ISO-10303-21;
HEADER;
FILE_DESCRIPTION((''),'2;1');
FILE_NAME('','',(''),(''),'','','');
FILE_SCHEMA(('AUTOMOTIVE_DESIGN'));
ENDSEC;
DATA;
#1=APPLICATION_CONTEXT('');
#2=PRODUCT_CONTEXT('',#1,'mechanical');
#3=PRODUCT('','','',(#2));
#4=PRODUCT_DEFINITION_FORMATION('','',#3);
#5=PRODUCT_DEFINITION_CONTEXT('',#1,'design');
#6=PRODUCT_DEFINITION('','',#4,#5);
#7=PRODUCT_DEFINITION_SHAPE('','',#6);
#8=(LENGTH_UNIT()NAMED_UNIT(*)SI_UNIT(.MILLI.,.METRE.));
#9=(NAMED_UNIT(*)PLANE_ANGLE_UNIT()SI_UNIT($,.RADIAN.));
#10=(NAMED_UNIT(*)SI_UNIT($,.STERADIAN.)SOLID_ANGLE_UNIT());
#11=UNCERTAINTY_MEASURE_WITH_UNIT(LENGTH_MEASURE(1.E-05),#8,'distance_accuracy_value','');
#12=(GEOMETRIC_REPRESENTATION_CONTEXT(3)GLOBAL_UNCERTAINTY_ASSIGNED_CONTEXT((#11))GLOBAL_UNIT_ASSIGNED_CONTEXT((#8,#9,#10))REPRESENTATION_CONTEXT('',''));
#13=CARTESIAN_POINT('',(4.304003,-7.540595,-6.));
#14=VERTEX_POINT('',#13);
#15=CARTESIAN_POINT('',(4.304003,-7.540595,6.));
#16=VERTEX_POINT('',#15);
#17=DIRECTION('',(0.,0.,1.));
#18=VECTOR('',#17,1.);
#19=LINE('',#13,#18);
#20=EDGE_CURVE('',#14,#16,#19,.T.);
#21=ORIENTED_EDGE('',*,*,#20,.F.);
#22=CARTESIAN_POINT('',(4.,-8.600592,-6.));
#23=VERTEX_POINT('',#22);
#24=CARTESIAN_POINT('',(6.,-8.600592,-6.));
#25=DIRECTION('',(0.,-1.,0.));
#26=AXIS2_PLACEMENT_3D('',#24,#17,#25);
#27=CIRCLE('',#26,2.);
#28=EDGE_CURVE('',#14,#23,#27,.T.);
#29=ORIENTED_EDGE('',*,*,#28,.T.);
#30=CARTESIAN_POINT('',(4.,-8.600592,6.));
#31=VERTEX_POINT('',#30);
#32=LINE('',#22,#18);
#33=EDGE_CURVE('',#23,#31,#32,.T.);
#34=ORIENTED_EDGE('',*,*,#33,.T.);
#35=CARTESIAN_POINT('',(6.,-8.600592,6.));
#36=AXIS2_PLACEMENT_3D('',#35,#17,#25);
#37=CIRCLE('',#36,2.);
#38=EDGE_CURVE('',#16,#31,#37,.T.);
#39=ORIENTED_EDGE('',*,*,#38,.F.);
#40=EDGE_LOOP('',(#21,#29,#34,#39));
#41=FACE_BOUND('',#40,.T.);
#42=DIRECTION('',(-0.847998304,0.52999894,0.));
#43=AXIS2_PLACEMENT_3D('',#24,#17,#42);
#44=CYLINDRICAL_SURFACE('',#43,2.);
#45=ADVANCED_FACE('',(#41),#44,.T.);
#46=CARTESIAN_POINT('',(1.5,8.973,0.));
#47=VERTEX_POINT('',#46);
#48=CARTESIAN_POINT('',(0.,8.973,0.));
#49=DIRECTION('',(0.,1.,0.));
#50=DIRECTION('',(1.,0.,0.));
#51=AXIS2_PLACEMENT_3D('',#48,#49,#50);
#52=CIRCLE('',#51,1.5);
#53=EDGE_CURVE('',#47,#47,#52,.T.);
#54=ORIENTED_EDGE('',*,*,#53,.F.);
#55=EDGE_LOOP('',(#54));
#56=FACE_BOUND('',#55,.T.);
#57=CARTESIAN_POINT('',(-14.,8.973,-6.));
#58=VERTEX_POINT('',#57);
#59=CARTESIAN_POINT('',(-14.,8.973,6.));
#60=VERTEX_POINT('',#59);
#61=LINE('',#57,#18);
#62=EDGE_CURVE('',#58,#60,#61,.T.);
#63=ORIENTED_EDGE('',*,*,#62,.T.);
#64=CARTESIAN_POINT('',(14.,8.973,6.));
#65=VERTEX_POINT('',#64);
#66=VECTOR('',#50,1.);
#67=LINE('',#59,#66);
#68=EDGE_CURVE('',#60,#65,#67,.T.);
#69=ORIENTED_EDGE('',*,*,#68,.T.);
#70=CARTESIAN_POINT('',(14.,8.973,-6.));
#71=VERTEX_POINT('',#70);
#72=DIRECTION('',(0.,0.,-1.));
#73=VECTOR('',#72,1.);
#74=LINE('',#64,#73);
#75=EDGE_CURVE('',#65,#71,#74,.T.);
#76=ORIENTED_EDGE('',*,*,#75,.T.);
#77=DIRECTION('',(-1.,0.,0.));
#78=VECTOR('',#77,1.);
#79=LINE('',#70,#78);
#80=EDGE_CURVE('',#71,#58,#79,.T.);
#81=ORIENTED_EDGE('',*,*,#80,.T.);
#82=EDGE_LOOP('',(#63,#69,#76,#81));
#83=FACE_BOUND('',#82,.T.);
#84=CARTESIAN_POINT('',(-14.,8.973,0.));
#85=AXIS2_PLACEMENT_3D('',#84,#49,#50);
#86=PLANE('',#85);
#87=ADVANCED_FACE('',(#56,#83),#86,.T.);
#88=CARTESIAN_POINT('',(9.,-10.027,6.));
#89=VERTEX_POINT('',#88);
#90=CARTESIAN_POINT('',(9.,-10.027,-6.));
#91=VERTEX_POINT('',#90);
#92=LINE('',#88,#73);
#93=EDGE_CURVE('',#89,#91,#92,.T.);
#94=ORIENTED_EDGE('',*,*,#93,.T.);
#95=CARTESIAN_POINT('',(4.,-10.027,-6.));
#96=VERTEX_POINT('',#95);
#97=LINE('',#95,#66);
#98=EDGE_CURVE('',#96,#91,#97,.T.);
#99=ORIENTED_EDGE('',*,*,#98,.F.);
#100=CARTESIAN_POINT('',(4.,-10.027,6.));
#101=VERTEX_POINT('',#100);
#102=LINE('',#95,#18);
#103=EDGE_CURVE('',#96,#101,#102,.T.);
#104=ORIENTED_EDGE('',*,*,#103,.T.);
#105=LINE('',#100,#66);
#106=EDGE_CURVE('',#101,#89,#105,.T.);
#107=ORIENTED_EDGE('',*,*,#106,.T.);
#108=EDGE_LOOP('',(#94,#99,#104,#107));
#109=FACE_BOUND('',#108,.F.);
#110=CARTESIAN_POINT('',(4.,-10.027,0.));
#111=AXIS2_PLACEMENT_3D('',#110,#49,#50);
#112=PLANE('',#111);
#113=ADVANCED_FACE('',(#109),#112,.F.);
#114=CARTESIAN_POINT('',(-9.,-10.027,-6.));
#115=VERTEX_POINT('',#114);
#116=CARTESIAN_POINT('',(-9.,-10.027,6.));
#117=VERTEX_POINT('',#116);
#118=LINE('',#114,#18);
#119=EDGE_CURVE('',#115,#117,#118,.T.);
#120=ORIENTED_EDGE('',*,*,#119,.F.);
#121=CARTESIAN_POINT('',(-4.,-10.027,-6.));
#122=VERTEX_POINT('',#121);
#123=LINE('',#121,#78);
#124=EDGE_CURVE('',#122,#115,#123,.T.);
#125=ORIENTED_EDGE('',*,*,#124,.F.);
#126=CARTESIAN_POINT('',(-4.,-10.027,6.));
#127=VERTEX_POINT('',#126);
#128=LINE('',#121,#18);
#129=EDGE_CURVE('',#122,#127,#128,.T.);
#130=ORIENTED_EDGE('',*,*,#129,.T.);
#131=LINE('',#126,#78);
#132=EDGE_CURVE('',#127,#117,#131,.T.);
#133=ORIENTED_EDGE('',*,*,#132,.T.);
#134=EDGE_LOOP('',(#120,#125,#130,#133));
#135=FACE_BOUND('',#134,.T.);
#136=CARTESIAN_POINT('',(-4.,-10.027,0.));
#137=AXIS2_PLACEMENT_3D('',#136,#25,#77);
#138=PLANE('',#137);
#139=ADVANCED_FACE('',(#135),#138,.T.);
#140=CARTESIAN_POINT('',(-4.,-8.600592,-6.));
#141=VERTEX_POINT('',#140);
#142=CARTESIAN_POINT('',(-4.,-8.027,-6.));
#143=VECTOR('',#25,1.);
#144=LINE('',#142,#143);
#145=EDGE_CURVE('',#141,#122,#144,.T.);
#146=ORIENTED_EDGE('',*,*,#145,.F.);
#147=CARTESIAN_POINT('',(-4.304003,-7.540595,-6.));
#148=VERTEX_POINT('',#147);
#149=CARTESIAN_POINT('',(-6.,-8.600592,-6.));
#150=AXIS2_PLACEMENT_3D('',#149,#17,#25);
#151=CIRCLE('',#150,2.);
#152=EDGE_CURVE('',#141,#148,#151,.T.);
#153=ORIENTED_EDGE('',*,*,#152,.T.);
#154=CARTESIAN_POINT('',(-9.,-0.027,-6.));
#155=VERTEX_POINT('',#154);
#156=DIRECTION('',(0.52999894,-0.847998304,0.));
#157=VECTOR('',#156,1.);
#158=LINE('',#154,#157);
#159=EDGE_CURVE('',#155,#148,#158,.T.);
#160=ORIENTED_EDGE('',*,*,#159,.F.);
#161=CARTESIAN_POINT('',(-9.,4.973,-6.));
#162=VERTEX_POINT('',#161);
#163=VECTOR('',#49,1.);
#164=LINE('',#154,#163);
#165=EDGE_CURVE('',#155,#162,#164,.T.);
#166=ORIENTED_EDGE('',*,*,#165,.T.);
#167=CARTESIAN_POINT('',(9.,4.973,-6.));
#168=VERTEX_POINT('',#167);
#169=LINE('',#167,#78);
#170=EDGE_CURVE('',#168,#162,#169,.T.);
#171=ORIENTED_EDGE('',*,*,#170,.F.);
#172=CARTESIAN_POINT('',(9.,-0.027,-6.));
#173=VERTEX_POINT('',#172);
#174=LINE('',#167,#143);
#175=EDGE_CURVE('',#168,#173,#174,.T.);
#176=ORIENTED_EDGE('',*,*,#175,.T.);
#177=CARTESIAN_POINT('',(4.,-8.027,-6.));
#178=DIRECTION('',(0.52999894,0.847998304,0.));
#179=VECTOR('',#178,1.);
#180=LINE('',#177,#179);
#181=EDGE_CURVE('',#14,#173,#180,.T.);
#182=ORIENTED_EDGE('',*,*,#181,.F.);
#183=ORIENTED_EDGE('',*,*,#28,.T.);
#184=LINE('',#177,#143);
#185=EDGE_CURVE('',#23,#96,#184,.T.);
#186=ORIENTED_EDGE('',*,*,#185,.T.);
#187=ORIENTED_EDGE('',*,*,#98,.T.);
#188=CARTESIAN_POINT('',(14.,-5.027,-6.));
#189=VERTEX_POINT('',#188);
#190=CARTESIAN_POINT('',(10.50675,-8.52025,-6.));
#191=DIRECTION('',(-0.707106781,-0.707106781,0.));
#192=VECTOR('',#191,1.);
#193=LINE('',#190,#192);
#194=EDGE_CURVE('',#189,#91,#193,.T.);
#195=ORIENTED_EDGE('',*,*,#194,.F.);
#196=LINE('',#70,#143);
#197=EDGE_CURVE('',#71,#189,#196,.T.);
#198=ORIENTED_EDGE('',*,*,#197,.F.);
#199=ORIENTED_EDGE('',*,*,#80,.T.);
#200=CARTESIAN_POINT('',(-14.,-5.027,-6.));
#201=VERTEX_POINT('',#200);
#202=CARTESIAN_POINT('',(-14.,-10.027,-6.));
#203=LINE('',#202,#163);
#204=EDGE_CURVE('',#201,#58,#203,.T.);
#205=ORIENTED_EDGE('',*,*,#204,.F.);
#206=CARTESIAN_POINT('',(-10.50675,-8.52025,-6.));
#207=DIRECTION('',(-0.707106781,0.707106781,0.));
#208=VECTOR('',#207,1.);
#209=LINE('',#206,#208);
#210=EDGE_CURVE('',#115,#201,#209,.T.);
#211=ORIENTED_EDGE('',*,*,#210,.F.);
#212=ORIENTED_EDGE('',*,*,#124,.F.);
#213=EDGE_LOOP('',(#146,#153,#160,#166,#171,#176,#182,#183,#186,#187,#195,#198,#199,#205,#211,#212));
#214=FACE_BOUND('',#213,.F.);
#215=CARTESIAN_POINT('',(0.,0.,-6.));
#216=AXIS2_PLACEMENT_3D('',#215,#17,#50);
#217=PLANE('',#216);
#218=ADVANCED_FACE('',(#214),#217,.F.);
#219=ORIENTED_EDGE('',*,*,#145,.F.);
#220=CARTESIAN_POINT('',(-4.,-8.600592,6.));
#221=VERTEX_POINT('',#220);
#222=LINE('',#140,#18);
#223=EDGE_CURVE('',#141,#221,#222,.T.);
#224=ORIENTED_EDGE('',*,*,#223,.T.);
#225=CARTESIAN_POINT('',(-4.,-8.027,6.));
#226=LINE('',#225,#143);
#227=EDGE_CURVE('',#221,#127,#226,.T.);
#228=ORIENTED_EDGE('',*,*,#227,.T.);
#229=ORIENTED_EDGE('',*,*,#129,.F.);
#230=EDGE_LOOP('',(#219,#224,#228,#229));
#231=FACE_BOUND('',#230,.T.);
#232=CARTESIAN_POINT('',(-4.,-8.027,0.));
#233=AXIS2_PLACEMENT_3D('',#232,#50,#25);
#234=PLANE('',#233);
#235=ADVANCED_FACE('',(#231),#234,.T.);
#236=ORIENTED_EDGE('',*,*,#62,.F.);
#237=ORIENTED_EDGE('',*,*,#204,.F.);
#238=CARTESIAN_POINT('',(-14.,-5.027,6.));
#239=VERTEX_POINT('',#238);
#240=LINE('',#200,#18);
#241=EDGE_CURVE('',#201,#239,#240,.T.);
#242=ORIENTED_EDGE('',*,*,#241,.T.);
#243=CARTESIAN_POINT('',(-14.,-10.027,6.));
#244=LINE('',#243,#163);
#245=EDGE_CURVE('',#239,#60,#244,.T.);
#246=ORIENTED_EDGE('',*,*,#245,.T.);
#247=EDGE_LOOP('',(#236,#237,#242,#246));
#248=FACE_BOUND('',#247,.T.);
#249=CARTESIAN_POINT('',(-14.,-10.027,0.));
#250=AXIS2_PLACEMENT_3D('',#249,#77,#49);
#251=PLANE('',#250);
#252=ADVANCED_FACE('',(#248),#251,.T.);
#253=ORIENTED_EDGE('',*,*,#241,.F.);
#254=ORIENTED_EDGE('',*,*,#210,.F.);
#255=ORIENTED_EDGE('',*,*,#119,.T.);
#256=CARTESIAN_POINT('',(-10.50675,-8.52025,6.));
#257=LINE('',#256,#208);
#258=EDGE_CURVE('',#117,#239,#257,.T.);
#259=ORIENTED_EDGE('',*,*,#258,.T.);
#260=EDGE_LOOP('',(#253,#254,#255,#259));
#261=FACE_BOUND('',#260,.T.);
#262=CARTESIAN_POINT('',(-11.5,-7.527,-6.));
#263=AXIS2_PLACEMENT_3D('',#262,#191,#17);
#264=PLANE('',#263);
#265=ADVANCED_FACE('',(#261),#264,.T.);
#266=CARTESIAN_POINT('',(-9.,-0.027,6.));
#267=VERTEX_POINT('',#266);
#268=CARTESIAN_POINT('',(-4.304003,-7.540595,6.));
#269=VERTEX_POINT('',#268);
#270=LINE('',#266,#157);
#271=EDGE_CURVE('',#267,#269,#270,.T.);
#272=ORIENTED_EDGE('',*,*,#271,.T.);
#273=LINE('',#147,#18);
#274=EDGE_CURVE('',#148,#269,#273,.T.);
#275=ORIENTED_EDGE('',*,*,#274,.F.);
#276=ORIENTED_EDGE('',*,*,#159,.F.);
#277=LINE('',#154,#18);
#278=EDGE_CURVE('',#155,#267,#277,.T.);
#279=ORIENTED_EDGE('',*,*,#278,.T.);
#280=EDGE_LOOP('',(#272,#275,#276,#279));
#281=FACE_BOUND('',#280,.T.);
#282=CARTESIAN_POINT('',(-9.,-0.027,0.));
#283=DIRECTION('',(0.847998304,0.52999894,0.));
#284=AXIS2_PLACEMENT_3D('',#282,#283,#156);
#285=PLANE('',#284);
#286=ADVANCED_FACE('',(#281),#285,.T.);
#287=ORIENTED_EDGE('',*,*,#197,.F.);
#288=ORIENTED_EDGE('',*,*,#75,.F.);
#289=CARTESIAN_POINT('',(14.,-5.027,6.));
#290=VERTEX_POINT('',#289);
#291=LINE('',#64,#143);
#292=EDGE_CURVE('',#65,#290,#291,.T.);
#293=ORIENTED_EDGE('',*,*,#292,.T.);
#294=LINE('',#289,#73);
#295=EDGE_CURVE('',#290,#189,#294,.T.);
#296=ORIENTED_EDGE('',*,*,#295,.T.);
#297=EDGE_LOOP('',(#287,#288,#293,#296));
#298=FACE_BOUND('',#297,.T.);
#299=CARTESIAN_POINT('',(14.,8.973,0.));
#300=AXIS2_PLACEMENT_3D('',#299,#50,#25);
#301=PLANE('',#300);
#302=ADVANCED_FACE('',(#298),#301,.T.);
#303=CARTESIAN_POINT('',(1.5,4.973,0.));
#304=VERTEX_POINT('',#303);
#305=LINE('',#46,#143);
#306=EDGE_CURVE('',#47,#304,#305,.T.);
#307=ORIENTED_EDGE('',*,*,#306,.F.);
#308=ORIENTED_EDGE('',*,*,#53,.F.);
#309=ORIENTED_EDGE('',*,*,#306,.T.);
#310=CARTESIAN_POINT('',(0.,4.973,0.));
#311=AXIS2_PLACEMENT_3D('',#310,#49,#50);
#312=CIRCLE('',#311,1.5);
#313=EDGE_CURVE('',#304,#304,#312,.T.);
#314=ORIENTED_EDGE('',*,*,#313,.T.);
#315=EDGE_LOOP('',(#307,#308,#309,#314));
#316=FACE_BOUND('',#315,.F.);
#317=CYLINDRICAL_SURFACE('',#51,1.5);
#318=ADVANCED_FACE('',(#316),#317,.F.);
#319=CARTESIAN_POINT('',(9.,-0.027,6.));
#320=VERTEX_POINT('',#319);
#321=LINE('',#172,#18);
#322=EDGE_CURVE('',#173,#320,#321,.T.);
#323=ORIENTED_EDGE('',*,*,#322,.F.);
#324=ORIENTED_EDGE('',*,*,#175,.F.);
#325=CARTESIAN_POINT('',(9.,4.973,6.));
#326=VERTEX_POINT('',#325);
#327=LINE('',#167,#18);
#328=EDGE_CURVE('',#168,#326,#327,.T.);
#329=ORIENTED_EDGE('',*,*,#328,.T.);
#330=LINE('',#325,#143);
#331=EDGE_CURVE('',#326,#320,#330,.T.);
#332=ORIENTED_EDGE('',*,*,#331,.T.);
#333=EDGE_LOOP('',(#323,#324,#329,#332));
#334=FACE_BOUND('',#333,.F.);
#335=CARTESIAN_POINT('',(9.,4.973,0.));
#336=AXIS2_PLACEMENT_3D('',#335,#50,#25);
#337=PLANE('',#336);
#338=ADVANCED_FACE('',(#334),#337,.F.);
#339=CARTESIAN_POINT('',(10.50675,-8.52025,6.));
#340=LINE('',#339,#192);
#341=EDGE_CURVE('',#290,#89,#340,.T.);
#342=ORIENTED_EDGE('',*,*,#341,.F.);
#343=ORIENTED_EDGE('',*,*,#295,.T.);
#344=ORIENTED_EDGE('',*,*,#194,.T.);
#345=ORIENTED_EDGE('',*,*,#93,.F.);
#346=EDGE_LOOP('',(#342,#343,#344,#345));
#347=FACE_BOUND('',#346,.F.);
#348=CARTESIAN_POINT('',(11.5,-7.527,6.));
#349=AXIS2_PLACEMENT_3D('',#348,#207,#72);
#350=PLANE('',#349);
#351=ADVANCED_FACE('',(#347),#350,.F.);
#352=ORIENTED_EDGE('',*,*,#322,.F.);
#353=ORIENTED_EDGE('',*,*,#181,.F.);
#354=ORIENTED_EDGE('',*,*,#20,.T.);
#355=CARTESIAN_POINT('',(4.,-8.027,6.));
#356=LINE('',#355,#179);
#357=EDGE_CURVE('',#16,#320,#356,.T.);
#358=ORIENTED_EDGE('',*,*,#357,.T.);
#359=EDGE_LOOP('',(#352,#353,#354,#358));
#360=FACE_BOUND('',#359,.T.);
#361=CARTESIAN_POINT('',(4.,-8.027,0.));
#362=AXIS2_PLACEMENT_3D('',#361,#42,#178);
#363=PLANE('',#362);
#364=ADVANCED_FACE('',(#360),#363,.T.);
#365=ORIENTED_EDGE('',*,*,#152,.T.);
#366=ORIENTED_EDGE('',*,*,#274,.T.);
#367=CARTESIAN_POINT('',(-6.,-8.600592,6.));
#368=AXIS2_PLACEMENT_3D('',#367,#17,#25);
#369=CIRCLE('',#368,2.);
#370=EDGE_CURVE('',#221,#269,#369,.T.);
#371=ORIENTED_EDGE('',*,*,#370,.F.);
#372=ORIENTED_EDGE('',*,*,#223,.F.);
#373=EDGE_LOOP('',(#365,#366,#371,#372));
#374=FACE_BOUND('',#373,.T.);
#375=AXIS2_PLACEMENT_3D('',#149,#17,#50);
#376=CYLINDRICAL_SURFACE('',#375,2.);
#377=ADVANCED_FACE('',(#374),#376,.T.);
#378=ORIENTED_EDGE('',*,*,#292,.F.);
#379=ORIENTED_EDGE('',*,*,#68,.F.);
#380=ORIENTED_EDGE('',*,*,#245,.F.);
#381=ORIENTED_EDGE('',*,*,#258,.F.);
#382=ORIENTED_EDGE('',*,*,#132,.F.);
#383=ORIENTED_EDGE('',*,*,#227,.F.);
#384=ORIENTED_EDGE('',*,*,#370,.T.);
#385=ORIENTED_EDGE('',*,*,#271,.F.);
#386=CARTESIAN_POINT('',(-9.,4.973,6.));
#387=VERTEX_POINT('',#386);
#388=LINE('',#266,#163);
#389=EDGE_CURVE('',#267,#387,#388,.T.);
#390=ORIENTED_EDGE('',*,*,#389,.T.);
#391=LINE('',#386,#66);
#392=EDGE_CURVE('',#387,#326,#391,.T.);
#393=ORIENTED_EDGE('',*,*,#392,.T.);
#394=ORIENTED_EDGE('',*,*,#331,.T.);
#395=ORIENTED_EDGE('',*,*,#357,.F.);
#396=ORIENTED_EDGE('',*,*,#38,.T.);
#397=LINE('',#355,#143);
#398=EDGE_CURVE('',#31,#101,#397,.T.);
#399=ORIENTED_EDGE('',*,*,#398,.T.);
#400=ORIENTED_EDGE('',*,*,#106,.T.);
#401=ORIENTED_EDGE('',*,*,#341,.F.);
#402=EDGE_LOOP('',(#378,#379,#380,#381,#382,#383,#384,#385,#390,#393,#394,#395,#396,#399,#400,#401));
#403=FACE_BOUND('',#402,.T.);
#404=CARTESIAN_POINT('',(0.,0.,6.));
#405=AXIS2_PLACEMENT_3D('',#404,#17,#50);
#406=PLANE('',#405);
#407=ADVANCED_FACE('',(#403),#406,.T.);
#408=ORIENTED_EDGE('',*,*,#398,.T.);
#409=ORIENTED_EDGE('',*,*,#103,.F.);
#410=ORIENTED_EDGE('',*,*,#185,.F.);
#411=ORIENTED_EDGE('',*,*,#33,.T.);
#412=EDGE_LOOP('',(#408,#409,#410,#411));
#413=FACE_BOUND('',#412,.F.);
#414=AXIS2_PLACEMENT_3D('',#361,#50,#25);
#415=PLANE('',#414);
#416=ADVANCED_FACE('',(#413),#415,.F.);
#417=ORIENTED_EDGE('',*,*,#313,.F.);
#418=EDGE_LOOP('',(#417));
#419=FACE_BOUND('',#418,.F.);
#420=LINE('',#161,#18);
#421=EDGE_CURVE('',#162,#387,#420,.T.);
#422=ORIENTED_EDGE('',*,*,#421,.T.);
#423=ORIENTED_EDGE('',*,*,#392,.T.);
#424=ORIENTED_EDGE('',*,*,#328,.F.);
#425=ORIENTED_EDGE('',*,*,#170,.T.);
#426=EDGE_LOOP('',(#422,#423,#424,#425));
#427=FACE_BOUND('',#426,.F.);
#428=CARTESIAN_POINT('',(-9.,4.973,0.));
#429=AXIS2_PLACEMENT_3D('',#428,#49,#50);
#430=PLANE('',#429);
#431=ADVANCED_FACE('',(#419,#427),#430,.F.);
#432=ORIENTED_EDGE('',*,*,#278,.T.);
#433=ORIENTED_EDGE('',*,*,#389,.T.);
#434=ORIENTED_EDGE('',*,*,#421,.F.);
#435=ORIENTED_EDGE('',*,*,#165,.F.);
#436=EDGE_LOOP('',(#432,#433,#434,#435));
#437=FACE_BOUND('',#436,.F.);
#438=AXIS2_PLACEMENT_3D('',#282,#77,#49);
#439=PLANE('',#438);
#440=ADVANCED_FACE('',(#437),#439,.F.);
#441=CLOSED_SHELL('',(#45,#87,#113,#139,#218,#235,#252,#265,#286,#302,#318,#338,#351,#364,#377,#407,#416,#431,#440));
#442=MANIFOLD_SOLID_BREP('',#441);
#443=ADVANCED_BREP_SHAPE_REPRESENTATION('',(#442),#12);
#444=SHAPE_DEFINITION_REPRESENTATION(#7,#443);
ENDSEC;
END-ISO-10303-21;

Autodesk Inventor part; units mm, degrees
ref_plane "YZ Plane" through (0, 0, 0) normal (1, 0, 0) x (0, 1, 0)
ref_plane "XZ Plane" through (0, 0, 0) normal (0, 1, 0) x (-1, 0, 0)
ref_plane "XY Plane" through (0, 0, 0) normal (0, 0, 1) x (1, 0, 0)
sketch "スケッチ1" plane through (0, 0, 0) normal (0, 0, 1) x (1, 0, 0)
  line L0 (-14, 8.973) -> (14, 8.973)
  line L1 (14, 8.973) -> (14, -10.027)
  line L2 (4, -8.027) -> (9, -0.027)
  line L3 (-9, -0.027) -> (-4, -8.027)
  line L4 (-14, -10.027) -> (-14, 8.973)
  line L5 (-4, -8.027) -> (-4, -10.027)
  line L6 (-4, -10.027) -> (-14, -10.027)
  line L7 (4, -8.027) -> (4, -10.027)
  line L8 (4, -10.027) -> (14, -10.027)
  line L9 (0, -13.827) -> (0, 12.773) projected
  line L10 (-9, -0.027) -> (-9, 4.973)
  line L11 (-9, 4.973) -> (9, 4.973)
  line L12 (9, 4.973) -> (9, -0.027)
  point P0 (0, 0)
  dimension "d1" = 8
  dimension "d2" = 18
  dimension "d3" = 10
  dimension "d6" = 2
  dimension "d7" = 5
  dimension "d8" = 4
  dimension "d9" = 15
extrude "押し出し1" add sketch "スケッチ1" along normal mid plane 12
sketch "スケッチ2" plane through (-14, 8.973, 6) normal (0, 1, 0) x (1, 0, 0)
  circle A0 centre (14, 6) radius 1.5
  dimension "d12" = 3
extrude "押し出し2" cut sketch "スケッチ2" against normal through all
fillet "フィレット1" radius 2 2 edges at (-4, -8.027, 0) (4, -8.027, 0)
chamfer "面取り1" distance 5 angle 45 2 edges at (-14, -10.027, 0) (14, -10.027, 0)
properties part number "gripper"
